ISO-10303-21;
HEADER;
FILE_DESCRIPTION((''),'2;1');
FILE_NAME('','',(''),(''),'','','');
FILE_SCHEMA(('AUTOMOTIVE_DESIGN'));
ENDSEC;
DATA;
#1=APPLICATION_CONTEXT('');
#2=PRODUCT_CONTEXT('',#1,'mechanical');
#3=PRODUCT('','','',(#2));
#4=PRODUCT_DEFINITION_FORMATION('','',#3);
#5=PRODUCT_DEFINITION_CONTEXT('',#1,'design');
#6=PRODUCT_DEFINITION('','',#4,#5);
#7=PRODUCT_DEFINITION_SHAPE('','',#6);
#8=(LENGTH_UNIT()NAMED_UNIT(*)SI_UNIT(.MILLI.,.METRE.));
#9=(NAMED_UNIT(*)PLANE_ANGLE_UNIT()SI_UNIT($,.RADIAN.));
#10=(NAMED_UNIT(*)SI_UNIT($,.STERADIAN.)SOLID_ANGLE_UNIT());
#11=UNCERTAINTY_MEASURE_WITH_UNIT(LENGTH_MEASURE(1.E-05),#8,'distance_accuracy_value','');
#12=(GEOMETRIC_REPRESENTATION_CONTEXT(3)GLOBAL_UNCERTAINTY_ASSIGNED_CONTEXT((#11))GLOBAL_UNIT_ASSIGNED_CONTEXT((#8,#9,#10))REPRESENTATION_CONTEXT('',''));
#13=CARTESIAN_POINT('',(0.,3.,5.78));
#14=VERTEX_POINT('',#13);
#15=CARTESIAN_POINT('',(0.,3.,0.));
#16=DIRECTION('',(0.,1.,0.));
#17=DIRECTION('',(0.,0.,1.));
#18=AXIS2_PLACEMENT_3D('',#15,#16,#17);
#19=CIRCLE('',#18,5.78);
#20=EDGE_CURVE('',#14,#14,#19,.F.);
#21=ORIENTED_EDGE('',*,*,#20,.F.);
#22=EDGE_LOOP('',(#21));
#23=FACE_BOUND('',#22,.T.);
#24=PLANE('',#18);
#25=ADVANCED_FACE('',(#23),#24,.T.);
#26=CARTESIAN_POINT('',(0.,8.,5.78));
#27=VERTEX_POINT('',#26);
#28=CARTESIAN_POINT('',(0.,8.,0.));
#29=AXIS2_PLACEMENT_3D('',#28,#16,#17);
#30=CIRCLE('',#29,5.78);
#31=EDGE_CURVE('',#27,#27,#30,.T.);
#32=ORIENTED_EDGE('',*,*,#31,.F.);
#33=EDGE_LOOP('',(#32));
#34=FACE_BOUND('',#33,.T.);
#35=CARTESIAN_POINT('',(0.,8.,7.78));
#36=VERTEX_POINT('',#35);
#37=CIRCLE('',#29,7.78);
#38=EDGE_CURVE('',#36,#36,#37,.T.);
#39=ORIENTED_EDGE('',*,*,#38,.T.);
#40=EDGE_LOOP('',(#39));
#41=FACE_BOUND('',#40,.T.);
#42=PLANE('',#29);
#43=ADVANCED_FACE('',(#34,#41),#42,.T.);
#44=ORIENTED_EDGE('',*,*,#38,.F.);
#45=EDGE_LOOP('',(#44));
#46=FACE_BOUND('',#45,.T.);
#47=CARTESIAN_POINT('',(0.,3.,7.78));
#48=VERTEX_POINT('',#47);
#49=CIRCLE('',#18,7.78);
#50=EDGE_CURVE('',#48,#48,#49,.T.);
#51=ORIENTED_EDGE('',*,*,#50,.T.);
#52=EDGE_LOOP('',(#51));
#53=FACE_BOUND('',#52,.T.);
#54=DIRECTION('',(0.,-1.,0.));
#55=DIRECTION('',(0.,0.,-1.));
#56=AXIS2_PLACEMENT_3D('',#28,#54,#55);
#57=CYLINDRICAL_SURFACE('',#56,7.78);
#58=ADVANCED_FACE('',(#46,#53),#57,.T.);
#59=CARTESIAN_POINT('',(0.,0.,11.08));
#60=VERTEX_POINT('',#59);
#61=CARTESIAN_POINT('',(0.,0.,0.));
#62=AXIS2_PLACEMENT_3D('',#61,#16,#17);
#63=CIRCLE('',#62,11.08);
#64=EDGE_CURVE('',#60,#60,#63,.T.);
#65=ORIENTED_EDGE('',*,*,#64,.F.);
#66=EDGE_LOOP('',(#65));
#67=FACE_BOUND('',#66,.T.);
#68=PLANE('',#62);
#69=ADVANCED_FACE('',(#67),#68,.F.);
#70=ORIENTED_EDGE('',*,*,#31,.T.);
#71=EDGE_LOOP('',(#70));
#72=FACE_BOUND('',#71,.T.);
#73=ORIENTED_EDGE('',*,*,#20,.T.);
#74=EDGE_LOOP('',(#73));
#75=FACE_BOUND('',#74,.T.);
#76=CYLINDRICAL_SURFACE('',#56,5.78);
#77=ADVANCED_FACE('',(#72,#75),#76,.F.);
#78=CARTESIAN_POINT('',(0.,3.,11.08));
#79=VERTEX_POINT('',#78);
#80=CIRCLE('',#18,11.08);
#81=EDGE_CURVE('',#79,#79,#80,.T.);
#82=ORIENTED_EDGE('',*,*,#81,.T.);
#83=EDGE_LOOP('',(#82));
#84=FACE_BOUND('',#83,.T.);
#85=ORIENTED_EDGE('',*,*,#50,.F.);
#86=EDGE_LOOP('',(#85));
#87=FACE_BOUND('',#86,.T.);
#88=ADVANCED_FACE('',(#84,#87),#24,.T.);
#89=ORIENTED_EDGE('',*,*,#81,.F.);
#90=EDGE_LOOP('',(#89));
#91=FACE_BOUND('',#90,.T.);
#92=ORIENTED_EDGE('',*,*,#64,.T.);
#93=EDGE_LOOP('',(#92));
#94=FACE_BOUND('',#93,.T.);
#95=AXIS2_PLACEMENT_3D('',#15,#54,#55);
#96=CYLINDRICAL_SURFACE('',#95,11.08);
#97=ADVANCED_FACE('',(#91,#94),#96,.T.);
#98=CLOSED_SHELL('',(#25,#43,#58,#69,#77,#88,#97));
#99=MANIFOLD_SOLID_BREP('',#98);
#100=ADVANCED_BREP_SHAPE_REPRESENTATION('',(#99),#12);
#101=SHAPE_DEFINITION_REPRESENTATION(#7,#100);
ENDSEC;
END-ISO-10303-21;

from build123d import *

# Parameters (mm, degrees)
SKETCH1_R           = 11.08
BOSS_EXTRUDE1_DEPTH = 3
SKETCH2_R           = 7.78
SKETCH2_R_2         = 5.78
BOSS_EXTRUDE2_DEPTH = 5


with BuildPart() as part:
    # Sketch1 → Boss-Extrude1 (new body)
    with BuildSketch(Plane(origin=(0, 0, 0), x_dir=(1, 0, 0), z_dir=(0, 1, 0))):
        Circle(SKETCH1_R)
    extrude(amount=BOSS_EXTRUDE1_DEPTH)

    # Sketch2 → Boss-Extrude2 (add)
    with BuildSketch(Plane(origin=(0, 3, 0), x_dir=(1, 0, 0), z_dir=(0, 1, 0))):
        Circle(SKETCH2_R)
        Circle(SKETCH2_R_2, mode=Mode.SUBTRACT)
    extrude(amount=BOSS_EXTRUDE2_DEPTH)


solid = part.part
